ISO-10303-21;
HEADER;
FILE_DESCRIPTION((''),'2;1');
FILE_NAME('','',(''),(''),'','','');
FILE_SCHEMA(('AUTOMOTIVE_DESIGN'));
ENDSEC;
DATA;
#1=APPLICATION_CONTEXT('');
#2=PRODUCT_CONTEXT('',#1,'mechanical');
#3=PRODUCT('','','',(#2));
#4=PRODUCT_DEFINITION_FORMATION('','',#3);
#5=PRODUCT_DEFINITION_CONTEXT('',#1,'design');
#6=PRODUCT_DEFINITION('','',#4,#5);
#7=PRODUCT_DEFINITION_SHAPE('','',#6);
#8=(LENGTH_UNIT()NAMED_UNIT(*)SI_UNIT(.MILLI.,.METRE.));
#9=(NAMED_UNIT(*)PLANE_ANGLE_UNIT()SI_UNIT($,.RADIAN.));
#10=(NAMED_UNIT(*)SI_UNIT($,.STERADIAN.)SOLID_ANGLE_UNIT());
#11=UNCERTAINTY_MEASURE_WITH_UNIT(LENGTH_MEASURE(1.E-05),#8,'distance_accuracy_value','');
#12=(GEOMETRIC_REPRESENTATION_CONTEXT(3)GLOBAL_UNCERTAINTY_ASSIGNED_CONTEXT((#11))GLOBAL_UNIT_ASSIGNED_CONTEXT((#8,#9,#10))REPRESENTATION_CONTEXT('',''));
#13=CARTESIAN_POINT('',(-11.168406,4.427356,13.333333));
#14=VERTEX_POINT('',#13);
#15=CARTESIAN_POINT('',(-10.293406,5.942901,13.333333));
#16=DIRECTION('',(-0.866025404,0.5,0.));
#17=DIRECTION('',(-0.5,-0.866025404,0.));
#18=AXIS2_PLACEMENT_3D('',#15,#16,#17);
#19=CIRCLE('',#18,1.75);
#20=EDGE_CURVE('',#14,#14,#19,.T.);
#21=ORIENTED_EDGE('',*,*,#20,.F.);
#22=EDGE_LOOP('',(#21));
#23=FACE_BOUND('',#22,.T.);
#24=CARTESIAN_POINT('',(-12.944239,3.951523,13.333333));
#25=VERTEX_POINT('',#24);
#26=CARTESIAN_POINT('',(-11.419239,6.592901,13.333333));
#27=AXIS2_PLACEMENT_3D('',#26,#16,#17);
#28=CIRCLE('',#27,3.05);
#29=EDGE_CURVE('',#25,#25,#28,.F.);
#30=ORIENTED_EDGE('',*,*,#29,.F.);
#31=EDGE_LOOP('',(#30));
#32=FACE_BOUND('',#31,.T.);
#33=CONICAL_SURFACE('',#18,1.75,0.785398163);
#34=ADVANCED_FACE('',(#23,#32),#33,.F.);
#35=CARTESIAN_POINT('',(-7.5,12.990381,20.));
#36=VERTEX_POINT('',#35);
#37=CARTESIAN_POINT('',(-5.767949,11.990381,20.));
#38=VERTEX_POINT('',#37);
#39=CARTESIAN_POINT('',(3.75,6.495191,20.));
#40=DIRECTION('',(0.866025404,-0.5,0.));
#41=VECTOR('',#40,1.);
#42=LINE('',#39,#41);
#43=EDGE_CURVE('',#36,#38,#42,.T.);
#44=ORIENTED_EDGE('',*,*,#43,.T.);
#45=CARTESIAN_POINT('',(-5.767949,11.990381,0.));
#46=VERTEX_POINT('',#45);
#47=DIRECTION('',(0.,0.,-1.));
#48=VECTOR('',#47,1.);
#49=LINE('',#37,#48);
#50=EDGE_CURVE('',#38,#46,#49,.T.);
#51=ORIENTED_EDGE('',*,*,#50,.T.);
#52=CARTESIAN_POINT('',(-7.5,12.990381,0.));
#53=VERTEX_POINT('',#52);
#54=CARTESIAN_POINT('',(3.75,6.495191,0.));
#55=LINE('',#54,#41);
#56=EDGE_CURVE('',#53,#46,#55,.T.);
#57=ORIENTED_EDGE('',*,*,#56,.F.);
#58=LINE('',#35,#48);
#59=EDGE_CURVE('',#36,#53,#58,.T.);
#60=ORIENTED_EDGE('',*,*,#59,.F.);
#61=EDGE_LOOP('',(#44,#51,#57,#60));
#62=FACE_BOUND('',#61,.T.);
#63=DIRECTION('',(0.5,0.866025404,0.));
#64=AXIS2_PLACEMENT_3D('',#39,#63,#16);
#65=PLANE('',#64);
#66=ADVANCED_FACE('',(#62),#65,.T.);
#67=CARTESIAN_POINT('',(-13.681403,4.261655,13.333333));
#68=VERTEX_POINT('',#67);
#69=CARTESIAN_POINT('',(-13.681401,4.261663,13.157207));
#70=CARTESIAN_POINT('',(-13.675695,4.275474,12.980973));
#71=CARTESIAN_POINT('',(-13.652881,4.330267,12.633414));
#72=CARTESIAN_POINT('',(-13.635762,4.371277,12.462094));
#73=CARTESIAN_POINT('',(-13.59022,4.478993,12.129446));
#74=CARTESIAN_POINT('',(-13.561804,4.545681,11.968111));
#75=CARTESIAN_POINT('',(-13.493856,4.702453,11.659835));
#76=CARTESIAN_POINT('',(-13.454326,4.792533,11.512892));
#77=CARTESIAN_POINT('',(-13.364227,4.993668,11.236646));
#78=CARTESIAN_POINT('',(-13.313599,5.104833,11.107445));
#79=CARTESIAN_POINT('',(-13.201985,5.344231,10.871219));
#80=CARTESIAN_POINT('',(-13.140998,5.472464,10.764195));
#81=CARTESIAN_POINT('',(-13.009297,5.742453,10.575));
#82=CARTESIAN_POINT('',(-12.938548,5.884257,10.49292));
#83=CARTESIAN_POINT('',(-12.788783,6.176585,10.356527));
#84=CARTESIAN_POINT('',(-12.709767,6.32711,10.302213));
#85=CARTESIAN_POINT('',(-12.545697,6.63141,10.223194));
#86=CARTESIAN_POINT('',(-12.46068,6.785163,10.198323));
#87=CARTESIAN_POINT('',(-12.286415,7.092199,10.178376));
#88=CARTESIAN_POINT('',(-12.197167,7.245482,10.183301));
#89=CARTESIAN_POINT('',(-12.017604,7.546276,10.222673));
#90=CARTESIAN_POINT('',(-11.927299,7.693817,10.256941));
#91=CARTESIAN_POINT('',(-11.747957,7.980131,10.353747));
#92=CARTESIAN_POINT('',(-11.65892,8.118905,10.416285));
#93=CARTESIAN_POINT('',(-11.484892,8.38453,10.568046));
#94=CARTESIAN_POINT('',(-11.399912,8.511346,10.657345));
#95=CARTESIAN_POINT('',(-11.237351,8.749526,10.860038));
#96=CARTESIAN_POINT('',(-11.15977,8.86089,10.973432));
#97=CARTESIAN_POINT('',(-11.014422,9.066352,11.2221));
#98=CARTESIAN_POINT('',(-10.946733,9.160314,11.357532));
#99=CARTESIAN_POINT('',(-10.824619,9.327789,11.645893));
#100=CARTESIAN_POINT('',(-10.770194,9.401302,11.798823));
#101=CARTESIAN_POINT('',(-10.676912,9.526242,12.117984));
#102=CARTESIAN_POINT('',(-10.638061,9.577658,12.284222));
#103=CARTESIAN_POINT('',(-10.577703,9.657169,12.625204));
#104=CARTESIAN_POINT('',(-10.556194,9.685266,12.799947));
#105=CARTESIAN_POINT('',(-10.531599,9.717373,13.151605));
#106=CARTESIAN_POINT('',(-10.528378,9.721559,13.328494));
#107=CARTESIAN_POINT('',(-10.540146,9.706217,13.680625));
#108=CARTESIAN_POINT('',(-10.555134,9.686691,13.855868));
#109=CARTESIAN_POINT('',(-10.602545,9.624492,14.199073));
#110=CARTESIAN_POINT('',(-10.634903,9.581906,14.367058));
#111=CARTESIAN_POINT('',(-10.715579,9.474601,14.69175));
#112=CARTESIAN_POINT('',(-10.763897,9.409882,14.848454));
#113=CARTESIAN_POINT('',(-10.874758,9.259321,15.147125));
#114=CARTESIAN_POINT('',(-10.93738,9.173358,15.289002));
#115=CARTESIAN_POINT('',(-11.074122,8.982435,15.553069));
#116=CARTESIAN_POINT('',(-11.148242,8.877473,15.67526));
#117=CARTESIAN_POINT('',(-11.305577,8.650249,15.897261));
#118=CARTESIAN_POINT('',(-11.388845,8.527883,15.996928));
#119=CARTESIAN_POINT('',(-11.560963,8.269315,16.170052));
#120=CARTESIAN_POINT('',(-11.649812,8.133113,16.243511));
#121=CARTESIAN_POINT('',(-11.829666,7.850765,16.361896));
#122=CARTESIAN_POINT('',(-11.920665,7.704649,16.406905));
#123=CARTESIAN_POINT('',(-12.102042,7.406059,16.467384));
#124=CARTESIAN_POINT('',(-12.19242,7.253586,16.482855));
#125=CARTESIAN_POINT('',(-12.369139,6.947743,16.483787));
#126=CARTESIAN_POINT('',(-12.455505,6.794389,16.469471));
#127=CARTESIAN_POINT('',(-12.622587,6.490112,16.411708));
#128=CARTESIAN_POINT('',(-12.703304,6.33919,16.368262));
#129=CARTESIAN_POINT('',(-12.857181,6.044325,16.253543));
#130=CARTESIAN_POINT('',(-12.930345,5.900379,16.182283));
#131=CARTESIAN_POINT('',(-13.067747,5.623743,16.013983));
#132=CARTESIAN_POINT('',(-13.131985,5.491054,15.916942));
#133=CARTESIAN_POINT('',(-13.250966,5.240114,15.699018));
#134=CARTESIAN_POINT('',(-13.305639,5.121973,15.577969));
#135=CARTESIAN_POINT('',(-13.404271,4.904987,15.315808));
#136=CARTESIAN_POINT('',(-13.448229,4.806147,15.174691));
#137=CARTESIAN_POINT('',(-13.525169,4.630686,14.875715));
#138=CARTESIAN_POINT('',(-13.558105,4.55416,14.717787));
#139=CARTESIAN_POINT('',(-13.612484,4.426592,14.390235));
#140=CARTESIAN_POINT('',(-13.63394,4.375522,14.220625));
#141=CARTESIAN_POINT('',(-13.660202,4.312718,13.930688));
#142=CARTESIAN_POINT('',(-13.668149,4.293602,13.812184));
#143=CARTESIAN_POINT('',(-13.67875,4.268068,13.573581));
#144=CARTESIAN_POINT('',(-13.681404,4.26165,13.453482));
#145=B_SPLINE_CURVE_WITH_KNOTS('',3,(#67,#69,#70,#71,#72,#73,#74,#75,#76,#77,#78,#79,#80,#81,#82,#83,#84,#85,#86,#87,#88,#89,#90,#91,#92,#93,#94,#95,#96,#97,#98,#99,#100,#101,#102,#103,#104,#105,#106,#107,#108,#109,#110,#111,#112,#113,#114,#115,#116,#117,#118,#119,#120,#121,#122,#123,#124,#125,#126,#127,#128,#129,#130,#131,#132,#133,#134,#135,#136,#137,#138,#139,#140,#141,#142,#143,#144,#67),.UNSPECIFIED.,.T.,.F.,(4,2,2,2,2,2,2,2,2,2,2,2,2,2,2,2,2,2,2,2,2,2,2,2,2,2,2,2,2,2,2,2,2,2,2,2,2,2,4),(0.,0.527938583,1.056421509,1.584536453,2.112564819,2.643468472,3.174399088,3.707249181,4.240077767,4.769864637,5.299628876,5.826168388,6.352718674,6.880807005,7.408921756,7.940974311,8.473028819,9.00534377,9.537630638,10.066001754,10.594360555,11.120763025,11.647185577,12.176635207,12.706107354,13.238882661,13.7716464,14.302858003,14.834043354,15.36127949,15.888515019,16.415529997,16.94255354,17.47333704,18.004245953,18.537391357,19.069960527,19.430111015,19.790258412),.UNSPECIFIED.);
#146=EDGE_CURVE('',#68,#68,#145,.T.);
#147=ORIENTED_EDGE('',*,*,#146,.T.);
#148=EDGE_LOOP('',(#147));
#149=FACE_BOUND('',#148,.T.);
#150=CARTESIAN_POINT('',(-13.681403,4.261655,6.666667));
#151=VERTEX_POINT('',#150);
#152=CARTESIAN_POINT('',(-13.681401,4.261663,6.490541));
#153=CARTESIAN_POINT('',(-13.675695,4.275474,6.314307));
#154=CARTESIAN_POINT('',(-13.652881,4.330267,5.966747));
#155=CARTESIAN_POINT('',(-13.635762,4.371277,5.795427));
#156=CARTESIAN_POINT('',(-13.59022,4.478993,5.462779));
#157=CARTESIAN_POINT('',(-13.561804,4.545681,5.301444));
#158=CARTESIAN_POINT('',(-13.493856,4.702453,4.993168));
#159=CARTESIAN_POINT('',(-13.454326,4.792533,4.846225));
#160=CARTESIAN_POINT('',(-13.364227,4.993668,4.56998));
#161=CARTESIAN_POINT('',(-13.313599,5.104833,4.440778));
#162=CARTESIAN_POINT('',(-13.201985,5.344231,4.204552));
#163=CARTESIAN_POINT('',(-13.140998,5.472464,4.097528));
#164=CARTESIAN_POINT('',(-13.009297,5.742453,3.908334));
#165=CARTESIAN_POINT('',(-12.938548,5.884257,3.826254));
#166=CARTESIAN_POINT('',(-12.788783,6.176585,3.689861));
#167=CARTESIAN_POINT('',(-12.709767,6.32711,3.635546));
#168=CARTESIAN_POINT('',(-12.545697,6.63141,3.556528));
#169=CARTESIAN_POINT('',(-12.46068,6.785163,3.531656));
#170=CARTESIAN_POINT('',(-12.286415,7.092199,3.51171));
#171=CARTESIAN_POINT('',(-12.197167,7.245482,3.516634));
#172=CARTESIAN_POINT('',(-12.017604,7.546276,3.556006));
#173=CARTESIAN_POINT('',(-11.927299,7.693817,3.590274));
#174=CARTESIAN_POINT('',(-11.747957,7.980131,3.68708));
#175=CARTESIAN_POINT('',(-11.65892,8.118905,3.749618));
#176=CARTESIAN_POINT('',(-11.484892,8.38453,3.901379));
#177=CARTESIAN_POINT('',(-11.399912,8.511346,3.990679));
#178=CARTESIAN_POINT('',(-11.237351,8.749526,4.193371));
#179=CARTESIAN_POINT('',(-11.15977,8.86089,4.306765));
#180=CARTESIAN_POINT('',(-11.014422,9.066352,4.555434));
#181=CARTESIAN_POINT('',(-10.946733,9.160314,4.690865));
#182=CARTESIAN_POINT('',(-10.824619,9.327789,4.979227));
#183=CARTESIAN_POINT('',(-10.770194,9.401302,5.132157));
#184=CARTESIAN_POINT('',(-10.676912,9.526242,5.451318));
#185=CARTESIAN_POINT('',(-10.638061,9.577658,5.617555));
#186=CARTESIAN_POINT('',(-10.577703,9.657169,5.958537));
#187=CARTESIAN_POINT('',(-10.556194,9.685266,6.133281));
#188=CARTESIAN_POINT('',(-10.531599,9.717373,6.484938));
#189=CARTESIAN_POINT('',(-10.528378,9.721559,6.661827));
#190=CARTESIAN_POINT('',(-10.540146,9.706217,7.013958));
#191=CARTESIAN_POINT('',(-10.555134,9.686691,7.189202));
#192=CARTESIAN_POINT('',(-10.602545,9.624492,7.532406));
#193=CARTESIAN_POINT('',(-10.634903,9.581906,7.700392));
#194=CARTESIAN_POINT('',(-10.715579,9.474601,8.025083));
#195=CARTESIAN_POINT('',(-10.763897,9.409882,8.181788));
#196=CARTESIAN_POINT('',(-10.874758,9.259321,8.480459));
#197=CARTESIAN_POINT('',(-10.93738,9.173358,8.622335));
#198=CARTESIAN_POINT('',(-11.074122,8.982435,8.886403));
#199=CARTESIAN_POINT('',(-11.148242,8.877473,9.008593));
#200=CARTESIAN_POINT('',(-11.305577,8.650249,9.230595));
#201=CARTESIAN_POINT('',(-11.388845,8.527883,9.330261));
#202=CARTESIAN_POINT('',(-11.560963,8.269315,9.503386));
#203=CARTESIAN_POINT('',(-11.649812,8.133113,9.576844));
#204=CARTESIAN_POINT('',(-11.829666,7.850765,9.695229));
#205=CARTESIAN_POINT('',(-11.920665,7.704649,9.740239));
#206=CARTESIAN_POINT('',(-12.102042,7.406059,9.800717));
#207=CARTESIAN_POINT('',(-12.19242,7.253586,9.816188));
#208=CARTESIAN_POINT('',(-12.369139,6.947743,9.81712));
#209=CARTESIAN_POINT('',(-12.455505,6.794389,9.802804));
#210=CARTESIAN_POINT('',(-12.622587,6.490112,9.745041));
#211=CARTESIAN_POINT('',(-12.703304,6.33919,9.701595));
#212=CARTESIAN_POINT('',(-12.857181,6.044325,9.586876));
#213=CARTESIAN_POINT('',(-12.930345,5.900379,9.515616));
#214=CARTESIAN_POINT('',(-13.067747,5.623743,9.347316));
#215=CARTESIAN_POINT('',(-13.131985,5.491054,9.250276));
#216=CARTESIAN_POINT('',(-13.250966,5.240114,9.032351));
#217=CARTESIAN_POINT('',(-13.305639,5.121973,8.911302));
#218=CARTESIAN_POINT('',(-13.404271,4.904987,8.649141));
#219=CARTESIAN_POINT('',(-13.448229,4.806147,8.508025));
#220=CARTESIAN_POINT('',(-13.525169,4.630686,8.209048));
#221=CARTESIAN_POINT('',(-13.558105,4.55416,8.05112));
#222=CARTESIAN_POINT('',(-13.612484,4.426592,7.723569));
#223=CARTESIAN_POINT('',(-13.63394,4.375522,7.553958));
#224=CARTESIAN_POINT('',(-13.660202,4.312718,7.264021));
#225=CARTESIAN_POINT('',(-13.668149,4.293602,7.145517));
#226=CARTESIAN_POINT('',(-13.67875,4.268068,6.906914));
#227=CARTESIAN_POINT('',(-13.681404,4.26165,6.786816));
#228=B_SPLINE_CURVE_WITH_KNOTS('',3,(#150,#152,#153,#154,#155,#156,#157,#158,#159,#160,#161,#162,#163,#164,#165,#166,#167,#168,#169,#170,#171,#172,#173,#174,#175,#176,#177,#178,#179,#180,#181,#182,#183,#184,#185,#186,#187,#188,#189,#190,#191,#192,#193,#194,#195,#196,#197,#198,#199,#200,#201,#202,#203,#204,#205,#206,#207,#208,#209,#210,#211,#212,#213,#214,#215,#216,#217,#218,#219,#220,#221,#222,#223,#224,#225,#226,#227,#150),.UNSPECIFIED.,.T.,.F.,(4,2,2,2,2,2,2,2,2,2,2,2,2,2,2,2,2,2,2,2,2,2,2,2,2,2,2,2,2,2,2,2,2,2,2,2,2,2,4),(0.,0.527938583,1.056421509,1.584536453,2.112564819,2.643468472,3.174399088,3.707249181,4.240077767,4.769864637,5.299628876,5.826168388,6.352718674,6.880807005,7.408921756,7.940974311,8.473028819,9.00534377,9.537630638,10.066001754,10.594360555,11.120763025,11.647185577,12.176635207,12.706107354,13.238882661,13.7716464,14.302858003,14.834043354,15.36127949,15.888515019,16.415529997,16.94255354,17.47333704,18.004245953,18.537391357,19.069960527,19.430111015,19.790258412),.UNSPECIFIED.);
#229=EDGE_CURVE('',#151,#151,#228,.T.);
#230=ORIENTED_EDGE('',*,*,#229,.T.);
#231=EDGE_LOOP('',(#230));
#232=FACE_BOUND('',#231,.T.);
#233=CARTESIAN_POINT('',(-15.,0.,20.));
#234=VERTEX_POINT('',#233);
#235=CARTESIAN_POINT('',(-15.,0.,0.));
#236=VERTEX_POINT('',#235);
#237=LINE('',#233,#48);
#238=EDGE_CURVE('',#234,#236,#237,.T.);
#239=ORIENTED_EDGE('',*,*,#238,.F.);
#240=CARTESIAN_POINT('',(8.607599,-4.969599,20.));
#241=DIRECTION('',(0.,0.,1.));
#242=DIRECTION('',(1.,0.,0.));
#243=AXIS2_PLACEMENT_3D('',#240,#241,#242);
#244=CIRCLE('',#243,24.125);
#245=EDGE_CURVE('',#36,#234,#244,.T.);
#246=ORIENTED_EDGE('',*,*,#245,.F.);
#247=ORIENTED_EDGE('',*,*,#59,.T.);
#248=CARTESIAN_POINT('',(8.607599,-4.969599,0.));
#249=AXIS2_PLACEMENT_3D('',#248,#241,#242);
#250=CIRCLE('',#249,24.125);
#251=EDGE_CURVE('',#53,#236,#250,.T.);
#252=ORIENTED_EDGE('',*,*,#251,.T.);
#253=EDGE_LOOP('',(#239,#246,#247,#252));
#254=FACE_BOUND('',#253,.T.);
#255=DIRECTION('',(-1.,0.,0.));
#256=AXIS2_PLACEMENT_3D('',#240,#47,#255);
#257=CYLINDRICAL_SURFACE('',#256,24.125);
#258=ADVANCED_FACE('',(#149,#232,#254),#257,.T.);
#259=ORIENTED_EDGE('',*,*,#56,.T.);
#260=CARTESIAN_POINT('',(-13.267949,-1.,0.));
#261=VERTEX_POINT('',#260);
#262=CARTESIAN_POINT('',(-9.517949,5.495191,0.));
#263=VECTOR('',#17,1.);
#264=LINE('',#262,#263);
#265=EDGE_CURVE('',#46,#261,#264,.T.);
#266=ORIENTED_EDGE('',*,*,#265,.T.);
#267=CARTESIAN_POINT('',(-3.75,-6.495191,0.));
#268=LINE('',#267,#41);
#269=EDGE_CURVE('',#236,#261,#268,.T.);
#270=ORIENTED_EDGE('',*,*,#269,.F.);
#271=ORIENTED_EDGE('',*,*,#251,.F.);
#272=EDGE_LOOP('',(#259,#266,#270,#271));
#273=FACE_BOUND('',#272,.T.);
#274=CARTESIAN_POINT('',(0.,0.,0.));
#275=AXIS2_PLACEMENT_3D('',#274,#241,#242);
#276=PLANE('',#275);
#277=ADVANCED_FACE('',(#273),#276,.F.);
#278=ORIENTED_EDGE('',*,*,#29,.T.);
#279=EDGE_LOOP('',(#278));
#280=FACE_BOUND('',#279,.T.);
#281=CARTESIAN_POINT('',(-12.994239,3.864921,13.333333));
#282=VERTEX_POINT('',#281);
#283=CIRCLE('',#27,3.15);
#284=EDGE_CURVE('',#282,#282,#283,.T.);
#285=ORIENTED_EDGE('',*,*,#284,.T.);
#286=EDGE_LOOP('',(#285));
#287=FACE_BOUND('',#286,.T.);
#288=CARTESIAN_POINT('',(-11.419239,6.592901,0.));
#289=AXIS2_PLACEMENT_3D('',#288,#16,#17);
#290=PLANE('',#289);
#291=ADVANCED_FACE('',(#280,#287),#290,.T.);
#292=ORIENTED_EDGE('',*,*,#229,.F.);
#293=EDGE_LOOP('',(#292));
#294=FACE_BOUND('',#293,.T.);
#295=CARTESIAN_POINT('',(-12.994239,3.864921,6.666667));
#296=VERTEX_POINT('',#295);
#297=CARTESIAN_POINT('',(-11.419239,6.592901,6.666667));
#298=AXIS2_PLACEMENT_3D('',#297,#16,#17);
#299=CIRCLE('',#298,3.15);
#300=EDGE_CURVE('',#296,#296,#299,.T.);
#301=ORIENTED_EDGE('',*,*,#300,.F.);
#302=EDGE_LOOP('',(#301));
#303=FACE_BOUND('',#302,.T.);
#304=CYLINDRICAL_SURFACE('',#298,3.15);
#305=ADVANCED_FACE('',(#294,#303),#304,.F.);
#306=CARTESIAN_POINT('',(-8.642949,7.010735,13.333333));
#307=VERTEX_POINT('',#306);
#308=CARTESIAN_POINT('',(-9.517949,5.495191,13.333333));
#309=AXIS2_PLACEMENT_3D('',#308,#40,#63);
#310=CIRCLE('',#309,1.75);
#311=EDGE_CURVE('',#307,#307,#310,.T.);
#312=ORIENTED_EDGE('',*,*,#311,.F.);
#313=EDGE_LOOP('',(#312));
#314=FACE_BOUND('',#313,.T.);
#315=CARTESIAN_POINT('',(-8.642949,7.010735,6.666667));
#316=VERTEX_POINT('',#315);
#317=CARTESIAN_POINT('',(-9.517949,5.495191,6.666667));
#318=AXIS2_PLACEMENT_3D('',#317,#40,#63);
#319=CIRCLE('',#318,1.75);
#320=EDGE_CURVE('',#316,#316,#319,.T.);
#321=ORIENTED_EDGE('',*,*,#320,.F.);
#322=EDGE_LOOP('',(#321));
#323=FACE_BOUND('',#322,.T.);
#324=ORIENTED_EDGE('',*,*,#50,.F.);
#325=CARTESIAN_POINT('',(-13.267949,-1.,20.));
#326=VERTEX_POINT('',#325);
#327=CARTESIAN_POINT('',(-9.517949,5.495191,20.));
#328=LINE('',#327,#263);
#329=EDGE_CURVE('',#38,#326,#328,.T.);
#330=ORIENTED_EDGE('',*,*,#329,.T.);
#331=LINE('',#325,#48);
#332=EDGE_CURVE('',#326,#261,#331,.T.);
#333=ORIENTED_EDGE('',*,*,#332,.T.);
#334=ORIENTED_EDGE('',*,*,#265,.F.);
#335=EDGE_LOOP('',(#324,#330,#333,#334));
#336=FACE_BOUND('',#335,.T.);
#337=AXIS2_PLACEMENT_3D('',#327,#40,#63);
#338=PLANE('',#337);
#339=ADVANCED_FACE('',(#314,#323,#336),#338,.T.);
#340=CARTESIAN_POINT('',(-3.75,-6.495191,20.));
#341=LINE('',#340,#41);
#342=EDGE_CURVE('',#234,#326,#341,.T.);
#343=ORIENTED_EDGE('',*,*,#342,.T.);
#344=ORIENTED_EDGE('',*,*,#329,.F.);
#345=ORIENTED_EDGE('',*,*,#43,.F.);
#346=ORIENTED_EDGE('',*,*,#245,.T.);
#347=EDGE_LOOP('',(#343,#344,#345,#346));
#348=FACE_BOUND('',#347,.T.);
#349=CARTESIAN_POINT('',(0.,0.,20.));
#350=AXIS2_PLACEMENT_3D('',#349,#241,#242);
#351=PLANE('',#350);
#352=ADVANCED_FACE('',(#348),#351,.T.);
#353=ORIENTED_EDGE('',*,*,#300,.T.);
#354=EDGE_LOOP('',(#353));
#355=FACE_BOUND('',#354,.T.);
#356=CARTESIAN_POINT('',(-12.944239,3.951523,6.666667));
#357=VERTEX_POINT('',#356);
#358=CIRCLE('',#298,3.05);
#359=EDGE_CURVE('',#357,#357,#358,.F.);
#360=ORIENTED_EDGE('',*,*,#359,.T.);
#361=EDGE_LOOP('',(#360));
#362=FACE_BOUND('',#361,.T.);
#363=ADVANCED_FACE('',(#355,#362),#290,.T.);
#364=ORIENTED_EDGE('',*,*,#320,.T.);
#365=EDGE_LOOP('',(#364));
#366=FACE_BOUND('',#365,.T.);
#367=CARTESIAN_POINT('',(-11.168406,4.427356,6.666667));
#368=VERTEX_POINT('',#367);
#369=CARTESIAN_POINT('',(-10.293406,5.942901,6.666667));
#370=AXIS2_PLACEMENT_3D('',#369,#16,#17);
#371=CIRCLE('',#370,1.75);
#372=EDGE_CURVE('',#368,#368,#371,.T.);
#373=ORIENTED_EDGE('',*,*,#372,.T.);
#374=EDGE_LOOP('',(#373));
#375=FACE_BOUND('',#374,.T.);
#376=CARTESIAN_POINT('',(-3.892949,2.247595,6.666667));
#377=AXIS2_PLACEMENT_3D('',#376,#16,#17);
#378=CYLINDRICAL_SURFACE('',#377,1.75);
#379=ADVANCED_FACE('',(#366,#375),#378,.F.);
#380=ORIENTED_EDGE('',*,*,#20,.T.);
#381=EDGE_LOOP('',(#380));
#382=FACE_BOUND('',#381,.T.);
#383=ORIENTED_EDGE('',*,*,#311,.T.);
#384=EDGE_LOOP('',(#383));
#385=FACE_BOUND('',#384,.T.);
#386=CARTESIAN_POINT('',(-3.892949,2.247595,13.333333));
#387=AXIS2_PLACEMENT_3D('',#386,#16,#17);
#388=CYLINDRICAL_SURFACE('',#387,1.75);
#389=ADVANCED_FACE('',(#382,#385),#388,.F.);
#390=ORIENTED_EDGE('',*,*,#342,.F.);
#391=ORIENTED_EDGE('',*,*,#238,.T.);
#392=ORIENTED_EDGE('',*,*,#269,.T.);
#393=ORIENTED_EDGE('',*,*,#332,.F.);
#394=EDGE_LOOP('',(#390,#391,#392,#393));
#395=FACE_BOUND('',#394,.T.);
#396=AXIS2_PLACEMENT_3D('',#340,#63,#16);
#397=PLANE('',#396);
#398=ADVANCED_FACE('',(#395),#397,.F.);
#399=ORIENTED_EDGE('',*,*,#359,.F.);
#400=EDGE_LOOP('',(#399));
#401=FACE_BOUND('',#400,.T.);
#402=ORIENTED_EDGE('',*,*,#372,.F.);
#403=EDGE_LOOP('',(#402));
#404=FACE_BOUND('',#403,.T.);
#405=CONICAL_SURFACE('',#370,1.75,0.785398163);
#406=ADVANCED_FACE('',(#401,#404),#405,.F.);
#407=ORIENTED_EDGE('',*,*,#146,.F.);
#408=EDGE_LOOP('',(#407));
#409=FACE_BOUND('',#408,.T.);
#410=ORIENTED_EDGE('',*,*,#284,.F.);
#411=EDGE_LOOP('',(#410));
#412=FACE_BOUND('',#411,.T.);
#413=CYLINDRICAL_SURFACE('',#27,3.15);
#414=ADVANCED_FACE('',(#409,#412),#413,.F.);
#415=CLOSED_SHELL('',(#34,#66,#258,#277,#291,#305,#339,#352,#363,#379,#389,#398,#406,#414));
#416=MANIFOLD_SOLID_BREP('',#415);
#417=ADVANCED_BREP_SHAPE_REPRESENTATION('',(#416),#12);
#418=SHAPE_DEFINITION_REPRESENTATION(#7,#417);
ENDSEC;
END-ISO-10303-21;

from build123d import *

# Parameters (mm, degrees)
ESTRUSIONE_ESTRUSIONE1_DEPTH = 20
SCHIZZO3_R                   = 1.75
TAGLIO_ESTRUSIONE1_DEPTH     = 23.538199536
SCHIZZO3_3_R                 = 3.15
SCHIZZO3_3_R_2               = 1.75
TAGLIO_ESTRUSIONE2_DEPTH     = 1
SMUSSO2_SIZE                 = 1.3


with BuildPart() as part:
    # Schizzo2 → Estrusione-Estrusione1 (new body)
    with BuildSketch(Plane.XY):
        with BuildLine():
            Line((-5.767949192, 11.990381057), (-7.5, 12.990381057))
            ThreePointArc((-7.5, 12.990381057), (-12.285264352, 7.092900681), (-15, 0))
            Line((-15, 0), (-13.267949192, -1))
            Line((-13.267949192, -1), (-5.767949192, 11.990381057))
        make_face()
    extrude(amount=ESTRUSIONE_ESTRUSIONE1_DEPTH)

    # Schizzo3 → Taglio-Estrusione1 (cut, through all)
    with BuildSketch(Plane(origin=(-12.285264352, 7.092900681, 0), x_dir=(0, 0, 1), z_dir=(-0.86602540378444, 0.49999999999999756, 0))):
        with Locations((6.666666667, 0)):
            Circle(SCHIZZO3_R)
        with Locations((13.333333333, 0)):
            Circle(SCHIZZO3_R)
    extrude(amount=-TAGLIO_ESTRUSIONE1_DEPTH, mode=Mode.SUBTRACT)

    # Schizzo3<3> → Taglio-Estrusione2 (cut)
    # profile 1 of 2: a face of its own
    with BuildSketch(Plane(origin=(-12.285264352, 7.092900681, 0), x_dir=(0, 0, 1), z_dir=(-0.86602540378444, 0.49999999999999756, 0))):
        with Locations((6.666666667, 0)):
            Circle(SCHIZZO3_3_R)
        with Locations((6.666666667, 0)):
            Circle(SCHIZZO3_3_R_2, mode=Mode.SUBTRACT)
    # profile 2 of 2: a face of its own
    with BuildSketch(Plane(origin=(-12.285264352, 7.092900681, 0), x_dir=(0, 0, 1), z_dir=(-0.86602540378444, 0.49999999999999756, 0))):
        with Locations((13.333333333, 0)):
            Circle(SCHIZZO3_3_R)
        with Locations((13.333333333, 0)):
            Circle(SCHIZZO3_3_R_2, mode=Mode.SUBTRACT)
    extrude(amount=-TAGLIO_ESTRUSIONE2_DEPTH, mode=Mode.SUBTRACT)

    # Smusso2
    smusso2_edges = [part.edges().sort_by_distance(p)[0] for p in [
        (-11.419238948, 6.592900681, 4.916666667),
        (-11.419238948, 6.592900681, 11.583333333),
    ]]
    chamfer(smusso2_edges, length=SMUSSO2_SIZE)


solid = part.part
